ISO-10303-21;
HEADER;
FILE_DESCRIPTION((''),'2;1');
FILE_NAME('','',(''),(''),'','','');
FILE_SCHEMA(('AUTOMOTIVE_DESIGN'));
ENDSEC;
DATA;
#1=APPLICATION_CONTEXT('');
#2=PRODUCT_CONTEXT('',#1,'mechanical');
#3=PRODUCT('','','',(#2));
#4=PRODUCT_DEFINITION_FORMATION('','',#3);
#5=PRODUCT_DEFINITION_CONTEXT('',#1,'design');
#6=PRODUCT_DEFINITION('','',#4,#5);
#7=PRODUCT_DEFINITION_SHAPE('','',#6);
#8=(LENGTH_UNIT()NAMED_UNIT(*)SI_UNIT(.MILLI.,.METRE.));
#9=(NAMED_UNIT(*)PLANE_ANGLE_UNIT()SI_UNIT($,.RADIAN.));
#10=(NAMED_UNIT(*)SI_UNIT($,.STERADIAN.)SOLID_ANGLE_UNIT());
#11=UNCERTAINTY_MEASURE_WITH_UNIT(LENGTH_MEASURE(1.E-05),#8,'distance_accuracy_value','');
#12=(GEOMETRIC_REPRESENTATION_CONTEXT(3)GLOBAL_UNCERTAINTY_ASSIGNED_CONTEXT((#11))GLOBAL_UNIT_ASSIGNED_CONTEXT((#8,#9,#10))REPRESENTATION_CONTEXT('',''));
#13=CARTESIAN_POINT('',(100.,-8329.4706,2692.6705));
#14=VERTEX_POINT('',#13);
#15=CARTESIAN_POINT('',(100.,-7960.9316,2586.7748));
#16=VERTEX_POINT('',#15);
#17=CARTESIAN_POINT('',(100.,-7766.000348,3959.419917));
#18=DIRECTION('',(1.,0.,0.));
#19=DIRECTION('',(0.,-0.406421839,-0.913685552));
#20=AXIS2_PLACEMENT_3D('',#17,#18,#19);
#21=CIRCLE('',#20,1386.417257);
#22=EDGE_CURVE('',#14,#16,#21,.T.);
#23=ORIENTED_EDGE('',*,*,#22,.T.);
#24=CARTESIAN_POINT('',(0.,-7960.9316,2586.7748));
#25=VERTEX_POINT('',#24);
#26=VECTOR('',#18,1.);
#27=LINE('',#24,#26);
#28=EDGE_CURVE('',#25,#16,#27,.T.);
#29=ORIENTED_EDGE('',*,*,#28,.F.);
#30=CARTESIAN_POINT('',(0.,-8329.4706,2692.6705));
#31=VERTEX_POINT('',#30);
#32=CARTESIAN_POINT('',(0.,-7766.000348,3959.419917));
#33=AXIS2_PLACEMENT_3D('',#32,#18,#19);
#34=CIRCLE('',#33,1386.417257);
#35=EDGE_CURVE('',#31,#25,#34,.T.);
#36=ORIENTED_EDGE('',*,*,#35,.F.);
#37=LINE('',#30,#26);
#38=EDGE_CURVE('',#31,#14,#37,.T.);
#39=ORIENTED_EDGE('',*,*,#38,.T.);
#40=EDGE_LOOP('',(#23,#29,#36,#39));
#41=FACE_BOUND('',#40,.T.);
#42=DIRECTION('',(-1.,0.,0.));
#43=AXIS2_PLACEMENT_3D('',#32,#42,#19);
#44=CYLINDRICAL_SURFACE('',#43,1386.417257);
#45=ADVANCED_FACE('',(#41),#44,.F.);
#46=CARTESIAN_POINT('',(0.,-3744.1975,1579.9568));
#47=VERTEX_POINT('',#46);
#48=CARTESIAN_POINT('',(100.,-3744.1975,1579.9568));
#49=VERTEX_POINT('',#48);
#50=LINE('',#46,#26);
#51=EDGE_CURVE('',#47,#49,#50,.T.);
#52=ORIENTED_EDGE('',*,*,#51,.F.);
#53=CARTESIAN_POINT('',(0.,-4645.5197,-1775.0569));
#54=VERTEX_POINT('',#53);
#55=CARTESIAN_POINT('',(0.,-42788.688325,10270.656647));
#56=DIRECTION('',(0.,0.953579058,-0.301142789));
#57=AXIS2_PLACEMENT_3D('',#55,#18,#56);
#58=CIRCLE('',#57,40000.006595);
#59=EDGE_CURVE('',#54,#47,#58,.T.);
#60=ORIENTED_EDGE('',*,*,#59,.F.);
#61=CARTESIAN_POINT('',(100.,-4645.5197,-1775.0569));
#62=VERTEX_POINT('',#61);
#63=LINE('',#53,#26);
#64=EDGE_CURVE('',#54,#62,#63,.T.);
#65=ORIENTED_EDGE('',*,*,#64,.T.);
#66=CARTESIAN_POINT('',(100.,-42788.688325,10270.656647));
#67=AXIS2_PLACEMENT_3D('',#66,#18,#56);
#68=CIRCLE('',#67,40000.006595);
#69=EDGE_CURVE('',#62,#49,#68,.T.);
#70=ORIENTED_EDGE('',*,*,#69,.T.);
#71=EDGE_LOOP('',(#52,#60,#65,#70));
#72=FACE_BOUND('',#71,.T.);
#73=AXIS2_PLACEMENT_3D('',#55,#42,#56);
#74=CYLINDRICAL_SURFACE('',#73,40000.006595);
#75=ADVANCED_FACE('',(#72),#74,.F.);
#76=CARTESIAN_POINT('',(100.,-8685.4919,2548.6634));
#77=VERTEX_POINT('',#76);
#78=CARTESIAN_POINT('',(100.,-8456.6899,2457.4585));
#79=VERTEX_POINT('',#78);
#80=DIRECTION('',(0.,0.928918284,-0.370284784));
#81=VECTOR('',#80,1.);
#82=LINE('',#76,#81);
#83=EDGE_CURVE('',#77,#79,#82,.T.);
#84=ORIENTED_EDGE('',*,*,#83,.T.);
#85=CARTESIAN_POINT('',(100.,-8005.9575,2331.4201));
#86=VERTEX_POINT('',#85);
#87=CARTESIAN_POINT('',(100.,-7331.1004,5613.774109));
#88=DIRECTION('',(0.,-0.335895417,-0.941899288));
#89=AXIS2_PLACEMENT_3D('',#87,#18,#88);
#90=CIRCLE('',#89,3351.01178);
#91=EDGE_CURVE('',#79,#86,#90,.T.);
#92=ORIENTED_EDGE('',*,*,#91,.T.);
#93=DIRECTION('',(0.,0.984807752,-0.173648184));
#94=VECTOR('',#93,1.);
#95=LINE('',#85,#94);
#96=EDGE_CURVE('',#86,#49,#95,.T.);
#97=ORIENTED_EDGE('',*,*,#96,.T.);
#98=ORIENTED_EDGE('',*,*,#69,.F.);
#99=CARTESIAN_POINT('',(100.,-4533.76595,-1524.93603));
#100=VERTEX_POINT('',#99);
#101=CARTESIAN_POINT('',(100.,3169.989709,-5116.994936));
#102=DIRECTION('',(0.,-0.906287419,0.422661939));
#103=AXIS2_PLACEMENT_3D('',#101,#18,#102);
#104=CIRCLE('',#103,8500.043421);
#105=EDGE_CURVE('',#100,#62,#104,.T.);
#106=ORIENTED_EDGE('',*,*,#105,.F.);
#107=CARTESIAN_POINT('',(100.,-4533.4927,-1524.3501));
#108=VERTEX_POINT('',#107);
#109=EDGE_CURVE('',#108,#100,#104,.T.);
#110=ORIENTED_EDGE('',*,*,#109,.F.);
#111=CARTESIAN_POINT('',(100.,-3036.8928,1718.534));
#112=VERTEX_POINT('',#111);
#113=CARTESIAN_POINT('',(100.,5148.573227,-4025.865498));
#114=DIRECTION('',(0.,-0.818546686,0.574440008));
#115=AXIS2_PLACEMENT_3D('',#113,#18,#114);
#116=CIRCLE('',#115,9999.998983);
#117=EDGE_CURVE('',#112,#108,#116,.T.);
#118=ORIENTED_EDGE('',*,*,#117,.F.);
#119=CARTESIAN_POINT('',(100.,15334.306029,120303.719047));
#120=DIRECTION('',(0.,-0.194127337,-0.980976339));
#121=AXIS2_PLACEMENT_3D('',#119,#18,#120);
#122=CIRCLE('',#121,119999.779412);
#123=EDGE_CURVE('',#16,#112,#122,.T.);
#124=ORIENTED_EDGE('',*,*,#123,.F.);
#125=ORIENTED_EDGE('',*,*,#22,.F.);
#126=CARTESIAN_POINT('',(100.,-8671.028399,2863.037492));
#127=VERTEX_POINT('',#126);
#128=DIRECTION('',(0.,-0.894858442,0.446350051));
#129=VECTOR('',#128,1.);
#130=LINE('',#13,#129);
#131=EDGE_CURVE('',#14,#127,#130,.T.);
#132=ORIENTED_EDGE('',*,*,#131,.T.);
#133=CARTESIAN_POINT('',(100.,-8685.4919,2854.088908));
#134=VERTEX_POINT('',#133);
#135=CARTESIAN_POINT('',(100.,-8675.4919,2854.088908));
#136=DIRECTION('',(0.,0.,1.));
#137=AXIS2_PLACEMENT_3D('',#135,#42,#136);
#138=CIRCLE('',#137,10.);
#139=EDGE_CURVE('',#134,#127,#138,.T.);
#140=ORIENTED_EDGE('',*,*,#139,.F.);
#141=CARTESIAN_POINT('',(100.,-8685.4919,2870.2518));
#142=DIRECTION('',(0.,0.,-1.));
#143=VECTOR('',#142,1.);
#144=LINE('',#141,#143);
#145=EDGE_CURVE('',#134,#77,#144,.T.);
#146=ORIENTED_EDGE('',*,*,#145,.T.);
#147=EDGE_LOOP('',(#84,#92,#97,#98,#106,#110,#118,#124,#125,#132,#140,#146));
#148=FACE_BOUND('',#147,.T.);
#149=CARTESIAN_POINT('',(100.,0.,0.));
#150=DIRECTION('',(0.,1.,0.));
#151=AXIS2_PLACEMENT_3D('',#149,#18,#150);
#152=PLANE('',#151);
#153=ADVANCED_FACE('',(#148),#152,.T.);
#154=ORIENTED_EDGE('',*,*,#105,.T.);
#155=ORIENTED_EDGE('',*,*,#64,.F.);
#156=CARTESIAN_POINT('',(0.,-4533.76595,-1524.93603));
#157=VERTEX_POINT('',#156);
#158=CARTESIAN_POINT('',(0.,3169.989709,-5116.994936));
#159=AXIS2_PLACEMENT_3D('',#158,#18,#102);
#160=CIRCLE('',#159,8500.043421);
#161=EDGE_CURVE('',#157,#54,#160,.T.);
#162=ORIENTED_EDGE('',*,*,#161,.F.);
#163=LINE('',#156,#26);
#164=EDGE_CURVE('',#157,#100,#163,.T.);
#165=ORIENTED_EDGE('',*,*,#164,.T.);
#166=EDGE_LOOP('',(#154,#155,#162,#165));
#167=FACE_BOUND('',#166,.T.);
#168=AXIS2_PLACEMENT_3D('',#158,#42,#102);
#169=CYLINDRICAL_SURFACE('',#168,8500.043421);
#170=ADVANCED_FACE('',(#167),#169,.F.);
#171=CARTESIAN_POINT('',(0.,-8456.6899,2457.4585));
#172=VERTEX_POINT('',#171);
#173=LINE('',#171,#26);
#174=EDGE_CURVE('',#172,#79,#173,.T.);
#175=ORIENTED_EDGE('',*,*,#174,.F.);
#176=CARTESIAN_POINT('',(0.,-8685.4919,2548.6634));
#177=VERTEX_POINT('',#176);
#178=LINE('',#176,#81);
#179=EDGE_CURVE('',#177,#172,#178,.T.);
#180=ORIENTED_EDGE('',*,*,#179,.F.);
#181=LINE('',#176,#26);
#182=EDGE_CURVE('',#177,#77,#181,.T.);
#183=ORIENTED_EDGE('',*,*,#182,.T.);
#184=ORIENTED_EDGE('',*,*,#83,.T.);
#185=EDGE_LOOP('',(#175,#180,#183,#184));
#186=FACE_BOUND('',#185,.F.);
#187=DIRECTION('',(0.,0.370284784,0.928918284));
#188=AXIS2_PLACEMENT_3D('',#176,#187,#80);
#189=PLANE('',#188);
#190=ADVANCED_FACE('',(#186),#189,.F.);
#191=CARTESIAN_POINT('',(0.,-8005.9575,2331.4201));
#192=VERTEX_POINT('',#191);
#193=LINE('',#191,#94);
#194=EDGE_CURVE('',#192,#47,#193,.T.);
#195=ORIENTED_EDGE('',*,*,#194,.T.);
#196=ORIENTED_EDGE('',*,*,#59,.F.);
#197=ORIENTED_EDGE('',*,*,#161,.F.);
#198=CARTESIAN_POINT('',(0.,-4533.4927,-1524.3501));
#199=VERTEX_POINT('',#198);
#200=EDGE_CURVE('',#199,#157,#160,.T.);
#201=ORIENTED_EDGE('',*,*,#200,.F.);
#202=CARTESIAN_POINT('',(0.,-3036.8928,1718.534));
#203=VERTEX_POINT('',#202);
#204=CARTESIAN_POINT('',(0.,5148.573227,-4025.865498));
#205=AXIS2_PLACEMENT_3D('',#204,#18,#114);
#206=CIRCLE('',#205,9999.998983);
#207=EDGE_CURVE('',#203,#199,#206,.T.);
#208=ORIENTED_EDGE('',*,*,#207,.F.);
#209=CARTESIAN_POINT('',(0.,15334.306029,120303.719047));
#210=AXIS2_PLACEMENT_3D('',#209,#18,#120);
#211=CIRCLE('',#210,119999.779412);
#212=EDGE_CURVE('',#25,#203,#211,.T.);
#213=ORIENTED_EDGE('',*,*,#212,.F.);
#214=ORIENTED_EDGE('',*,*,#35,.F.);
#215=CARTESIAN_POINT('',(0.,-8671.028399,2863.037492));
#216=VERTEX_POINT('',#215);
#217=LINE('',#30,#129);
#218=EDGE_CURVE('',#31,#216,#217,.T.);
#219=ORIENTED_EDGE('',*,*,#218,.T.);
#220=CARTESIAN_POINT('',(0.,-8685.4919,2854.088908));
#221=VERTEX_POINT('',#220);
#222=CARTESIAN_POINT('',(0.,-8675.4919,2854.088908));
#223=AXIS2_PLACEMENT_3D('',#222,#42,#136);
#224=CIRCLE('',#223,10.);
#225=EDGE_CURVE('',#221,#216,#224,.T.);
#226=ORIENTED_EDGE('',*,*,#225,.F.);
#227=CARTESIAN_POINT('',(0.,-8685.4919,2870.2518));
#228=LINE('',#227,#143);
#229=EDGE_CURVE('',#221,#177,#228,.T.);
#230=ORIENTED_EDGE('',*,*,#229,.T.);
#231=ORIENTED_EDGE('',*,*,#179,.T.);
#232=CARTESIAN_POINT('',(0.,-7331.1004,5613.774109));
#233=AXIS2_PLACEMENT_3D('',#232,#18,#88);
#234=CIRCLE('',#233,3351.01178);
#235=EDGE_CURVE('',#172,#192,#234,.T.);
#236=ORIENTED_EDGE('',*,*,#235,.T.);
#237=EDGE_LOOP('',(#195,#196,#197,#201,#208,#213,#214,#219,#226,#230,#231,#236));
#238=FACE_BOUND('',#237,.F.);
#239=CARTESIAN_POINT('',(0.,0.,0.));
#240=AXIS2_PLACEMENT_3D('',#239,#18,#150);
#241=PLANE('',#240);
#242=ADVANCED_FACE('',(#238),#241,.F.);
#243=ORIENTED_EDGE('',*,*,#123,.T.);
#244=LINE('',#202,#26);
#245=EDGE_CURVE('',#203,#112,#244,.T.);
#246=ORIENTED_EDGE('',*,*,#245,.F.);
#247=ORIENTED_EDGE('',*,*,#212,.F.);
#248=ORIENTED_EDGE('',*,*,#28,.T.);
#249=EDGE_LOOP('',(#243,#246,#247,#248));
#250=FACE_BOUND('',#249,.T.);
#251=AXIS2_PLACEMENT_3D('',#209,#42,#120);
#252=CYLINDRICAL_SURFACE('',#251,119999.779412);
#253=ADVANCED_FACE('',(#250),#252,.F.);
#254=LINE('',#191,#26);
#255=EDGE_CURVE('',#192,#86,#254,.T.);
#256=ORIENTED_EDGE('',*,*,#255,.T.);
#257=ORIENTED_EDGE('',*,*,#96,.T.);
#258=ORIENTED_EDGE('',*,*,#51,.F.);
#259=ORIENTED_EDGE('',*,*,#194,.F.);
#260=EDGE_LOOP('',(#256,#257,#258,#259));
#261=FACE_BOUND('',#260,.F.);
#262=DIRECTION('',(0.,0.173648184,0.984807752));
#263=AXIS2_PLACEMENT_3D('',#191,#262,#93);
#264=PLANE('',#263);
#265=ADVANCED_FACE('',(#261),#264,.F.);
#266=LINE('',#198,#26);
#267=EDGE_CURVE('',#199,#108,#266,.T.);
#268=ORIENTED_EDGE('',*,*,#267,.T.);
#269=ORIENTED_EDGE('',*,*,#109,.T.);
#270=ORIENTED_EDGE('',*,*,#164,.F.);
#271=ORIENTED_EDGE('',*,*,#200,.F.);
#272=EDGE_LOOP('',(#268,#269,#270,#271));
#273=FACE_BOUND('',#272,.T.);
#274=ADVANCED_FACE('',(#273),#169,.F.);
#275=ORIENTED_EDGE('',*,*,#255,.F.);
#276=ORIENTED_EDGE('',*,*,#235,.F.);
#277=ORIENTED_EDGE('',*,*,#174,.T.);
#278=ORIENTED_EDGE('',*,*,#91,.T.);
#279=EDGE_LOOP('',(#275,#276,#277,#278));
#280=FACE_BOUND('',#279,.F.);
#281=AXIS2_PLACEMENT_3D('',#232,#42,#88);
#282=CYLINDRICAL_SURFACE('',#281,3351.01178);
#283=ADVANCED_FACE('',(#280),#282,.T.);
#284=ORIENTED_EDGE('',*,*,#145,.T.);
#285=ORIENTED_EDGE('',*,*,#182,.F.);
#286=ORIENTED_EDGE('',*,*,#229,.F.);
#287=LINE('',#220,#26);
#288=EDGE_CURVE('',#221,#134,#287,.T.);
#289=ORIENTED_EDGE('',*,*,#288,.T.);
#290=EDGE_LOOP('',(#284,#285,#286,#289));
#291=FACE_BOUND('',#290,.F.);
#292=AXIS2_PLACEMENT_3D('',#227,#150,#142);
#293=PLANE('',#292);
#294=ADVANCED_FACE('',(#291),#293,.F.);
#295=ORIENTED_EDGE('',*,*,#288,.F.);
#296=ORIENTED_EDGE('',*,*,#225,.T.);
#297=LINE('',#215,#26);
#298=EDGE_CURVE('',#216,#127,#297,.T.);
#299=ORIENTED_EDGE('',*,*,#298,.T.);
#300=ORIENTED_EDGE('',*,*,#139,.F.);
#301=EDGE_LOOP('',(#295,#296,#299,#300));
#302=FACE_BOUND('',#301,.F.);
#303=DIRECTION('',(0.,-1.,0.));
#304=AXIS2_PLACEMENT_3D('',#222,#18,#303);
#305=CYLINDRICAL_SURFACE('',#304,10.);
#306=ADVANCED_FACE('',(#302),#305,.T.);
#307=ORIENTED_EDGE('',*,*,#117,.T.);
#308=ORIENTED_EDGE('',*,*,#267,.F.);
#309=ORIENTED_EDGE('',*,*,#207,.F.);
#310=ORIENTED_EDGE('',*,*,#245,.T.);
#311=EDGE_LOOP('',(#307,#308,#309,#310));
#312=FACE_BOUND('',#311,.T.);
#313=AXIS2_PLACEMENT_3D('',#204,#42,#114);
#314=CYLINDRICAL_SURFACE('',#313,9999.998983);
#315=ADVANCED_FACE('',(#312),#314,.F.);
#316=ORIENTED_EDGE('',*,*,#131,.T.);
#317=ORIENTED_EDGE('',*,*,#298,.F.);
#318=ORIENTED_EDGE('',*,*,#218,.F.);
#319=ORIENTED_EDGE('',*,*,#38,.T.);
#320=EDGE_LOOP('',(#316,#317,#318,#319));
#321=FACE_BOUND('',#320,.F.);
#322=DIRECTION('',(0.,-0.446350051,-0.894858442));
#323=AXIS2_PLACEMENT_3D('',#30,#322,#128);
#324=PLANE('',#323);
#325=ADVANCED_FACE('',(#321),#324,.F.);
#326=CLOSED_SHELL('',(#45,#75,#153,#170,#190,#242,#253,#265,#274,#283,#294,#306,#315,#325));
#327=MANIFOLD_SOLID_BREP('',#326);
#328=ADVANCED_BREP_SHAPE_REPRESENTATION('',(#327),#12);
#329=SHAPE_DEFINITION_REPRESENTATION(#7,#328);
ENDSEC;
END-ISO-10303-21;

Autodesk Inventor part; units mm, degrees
ref_plane "YZ Plane" through (0, 0, 0) normal (1, 0, 0) x (0, 1, 0)
ref_plane "XZ Plane" through (0, 0, 0) normal (0, 1, 0) x (-1, 0, 0)
ref_plane "XY Plane" through (0, 0, 0) normal (0, 0, 1) x (1, 0, 0)
sketch "Sketch1" plane through (0, 0, 0) normal (1, 0, 0) x (0, 1, 0)
  arc A0 (-3036.8928, 1718.534) -> (-4533.7659, -1525.4078) centre (5148.5741, -4025.866) ccw
  line L0 (-2952.6352, 1659.5361) -> (-2978.0832, 1677.355) construction
  arc A1 (-4650.0642, -1800.7835) -> (-4642.0762, -1823.7902) centre (-4600.2584, -1796.3809) ccw
  line L1 (-2978.0832, 1677.355) -> (-3036.8928, 1718.534)
  line L2 (-3036.8928, 1718.534) -> (-7960.9316, 2586.7748) construction
  line L3 (-3036.8928, 1718.534) -> (1963.1072, 1718.534) construction
  line L4 (-4650.0642, -1800.7835) -> (-4639.2556, -1760.4453) construction
  line L5 (-4650.0642, -1800.7835) -> (-1150.0642, -1800.7835) construction
  arc A2 (-8456.6899, 2457.4585) -> (-8005.9575, 2331.4201) centre (-7331.1025, 5613.7675) ccw
  arc A3 (-4533.4927, -1524.3501) -> (-4646.236, -1776.7324) centre (3169.9502, -5116.9769) ccw
  arc A4 (-2938.1875, 1679.4091) -> (-2952.6352, 1659.5361) centre (5142.9986, -4210.7887) ccw construction
  ellipse E0 centre (-3847.8838, -1113.1525) end of major axis (-3847.8838, -1913.1525) minor radius 800 (-4533.7659, -1524.936) -> (-4533.6807, -1525.0779) ccw
  ellipse E1 centre (-3847.8838, -1113.1525) end of major axis (-3847.8838, -1913.1525) minor radius 800 (-4256.7401, -1800.7835) -> (-4256.5248, -1800.9116) ccw
  line L6 (-8329.4706, 2692.6705) -> (-8685.4919, 2870.2518)
  line L7 (-8685.4919, 2870.2518) -> (-8685.4919, 2548.6634)
  line L8 (-8685.4919, 2548.6634) -> (-8456.6899, 2457.4585)
  arc A5 (-8329.4706, 2692.6705) -> (-7960.9316, 2586.7748) centre (-7766.0005, 3959.4195) ccw
  arc A6 (-7960.9316, 2586.7748) -> (-3036.8928, 1718.534) centre (15334.3466, 120303.9359) ccw
  arc A7 (-4645.5197, -1775.0569) -> (-3744.1975, 1579.9568) centre (-42788.682, 10270.6548) ccw
  line L9 (-8005.9575, 2331.4201) -> (-3744.1975, 1579.9568)
  point P0 (0, 0)
  dimension "d0" = 5000
  dimension "d1" = 170
  dimension "d4" = 75
  dimension "d9" = 120000
  dimension "d13" = 40000
extrude "Extrusion2" add sketch "Sketch1" along normal blind 100 contours A0 A3 A7 L9 A2 L8 L7 L6 A5 A6
fillet "Fillet1" radius 10 1 edges at (50, -8685.4919, 2870.2518)
properties part number "side_curve_beam_01" material "Wood (Maple)"
